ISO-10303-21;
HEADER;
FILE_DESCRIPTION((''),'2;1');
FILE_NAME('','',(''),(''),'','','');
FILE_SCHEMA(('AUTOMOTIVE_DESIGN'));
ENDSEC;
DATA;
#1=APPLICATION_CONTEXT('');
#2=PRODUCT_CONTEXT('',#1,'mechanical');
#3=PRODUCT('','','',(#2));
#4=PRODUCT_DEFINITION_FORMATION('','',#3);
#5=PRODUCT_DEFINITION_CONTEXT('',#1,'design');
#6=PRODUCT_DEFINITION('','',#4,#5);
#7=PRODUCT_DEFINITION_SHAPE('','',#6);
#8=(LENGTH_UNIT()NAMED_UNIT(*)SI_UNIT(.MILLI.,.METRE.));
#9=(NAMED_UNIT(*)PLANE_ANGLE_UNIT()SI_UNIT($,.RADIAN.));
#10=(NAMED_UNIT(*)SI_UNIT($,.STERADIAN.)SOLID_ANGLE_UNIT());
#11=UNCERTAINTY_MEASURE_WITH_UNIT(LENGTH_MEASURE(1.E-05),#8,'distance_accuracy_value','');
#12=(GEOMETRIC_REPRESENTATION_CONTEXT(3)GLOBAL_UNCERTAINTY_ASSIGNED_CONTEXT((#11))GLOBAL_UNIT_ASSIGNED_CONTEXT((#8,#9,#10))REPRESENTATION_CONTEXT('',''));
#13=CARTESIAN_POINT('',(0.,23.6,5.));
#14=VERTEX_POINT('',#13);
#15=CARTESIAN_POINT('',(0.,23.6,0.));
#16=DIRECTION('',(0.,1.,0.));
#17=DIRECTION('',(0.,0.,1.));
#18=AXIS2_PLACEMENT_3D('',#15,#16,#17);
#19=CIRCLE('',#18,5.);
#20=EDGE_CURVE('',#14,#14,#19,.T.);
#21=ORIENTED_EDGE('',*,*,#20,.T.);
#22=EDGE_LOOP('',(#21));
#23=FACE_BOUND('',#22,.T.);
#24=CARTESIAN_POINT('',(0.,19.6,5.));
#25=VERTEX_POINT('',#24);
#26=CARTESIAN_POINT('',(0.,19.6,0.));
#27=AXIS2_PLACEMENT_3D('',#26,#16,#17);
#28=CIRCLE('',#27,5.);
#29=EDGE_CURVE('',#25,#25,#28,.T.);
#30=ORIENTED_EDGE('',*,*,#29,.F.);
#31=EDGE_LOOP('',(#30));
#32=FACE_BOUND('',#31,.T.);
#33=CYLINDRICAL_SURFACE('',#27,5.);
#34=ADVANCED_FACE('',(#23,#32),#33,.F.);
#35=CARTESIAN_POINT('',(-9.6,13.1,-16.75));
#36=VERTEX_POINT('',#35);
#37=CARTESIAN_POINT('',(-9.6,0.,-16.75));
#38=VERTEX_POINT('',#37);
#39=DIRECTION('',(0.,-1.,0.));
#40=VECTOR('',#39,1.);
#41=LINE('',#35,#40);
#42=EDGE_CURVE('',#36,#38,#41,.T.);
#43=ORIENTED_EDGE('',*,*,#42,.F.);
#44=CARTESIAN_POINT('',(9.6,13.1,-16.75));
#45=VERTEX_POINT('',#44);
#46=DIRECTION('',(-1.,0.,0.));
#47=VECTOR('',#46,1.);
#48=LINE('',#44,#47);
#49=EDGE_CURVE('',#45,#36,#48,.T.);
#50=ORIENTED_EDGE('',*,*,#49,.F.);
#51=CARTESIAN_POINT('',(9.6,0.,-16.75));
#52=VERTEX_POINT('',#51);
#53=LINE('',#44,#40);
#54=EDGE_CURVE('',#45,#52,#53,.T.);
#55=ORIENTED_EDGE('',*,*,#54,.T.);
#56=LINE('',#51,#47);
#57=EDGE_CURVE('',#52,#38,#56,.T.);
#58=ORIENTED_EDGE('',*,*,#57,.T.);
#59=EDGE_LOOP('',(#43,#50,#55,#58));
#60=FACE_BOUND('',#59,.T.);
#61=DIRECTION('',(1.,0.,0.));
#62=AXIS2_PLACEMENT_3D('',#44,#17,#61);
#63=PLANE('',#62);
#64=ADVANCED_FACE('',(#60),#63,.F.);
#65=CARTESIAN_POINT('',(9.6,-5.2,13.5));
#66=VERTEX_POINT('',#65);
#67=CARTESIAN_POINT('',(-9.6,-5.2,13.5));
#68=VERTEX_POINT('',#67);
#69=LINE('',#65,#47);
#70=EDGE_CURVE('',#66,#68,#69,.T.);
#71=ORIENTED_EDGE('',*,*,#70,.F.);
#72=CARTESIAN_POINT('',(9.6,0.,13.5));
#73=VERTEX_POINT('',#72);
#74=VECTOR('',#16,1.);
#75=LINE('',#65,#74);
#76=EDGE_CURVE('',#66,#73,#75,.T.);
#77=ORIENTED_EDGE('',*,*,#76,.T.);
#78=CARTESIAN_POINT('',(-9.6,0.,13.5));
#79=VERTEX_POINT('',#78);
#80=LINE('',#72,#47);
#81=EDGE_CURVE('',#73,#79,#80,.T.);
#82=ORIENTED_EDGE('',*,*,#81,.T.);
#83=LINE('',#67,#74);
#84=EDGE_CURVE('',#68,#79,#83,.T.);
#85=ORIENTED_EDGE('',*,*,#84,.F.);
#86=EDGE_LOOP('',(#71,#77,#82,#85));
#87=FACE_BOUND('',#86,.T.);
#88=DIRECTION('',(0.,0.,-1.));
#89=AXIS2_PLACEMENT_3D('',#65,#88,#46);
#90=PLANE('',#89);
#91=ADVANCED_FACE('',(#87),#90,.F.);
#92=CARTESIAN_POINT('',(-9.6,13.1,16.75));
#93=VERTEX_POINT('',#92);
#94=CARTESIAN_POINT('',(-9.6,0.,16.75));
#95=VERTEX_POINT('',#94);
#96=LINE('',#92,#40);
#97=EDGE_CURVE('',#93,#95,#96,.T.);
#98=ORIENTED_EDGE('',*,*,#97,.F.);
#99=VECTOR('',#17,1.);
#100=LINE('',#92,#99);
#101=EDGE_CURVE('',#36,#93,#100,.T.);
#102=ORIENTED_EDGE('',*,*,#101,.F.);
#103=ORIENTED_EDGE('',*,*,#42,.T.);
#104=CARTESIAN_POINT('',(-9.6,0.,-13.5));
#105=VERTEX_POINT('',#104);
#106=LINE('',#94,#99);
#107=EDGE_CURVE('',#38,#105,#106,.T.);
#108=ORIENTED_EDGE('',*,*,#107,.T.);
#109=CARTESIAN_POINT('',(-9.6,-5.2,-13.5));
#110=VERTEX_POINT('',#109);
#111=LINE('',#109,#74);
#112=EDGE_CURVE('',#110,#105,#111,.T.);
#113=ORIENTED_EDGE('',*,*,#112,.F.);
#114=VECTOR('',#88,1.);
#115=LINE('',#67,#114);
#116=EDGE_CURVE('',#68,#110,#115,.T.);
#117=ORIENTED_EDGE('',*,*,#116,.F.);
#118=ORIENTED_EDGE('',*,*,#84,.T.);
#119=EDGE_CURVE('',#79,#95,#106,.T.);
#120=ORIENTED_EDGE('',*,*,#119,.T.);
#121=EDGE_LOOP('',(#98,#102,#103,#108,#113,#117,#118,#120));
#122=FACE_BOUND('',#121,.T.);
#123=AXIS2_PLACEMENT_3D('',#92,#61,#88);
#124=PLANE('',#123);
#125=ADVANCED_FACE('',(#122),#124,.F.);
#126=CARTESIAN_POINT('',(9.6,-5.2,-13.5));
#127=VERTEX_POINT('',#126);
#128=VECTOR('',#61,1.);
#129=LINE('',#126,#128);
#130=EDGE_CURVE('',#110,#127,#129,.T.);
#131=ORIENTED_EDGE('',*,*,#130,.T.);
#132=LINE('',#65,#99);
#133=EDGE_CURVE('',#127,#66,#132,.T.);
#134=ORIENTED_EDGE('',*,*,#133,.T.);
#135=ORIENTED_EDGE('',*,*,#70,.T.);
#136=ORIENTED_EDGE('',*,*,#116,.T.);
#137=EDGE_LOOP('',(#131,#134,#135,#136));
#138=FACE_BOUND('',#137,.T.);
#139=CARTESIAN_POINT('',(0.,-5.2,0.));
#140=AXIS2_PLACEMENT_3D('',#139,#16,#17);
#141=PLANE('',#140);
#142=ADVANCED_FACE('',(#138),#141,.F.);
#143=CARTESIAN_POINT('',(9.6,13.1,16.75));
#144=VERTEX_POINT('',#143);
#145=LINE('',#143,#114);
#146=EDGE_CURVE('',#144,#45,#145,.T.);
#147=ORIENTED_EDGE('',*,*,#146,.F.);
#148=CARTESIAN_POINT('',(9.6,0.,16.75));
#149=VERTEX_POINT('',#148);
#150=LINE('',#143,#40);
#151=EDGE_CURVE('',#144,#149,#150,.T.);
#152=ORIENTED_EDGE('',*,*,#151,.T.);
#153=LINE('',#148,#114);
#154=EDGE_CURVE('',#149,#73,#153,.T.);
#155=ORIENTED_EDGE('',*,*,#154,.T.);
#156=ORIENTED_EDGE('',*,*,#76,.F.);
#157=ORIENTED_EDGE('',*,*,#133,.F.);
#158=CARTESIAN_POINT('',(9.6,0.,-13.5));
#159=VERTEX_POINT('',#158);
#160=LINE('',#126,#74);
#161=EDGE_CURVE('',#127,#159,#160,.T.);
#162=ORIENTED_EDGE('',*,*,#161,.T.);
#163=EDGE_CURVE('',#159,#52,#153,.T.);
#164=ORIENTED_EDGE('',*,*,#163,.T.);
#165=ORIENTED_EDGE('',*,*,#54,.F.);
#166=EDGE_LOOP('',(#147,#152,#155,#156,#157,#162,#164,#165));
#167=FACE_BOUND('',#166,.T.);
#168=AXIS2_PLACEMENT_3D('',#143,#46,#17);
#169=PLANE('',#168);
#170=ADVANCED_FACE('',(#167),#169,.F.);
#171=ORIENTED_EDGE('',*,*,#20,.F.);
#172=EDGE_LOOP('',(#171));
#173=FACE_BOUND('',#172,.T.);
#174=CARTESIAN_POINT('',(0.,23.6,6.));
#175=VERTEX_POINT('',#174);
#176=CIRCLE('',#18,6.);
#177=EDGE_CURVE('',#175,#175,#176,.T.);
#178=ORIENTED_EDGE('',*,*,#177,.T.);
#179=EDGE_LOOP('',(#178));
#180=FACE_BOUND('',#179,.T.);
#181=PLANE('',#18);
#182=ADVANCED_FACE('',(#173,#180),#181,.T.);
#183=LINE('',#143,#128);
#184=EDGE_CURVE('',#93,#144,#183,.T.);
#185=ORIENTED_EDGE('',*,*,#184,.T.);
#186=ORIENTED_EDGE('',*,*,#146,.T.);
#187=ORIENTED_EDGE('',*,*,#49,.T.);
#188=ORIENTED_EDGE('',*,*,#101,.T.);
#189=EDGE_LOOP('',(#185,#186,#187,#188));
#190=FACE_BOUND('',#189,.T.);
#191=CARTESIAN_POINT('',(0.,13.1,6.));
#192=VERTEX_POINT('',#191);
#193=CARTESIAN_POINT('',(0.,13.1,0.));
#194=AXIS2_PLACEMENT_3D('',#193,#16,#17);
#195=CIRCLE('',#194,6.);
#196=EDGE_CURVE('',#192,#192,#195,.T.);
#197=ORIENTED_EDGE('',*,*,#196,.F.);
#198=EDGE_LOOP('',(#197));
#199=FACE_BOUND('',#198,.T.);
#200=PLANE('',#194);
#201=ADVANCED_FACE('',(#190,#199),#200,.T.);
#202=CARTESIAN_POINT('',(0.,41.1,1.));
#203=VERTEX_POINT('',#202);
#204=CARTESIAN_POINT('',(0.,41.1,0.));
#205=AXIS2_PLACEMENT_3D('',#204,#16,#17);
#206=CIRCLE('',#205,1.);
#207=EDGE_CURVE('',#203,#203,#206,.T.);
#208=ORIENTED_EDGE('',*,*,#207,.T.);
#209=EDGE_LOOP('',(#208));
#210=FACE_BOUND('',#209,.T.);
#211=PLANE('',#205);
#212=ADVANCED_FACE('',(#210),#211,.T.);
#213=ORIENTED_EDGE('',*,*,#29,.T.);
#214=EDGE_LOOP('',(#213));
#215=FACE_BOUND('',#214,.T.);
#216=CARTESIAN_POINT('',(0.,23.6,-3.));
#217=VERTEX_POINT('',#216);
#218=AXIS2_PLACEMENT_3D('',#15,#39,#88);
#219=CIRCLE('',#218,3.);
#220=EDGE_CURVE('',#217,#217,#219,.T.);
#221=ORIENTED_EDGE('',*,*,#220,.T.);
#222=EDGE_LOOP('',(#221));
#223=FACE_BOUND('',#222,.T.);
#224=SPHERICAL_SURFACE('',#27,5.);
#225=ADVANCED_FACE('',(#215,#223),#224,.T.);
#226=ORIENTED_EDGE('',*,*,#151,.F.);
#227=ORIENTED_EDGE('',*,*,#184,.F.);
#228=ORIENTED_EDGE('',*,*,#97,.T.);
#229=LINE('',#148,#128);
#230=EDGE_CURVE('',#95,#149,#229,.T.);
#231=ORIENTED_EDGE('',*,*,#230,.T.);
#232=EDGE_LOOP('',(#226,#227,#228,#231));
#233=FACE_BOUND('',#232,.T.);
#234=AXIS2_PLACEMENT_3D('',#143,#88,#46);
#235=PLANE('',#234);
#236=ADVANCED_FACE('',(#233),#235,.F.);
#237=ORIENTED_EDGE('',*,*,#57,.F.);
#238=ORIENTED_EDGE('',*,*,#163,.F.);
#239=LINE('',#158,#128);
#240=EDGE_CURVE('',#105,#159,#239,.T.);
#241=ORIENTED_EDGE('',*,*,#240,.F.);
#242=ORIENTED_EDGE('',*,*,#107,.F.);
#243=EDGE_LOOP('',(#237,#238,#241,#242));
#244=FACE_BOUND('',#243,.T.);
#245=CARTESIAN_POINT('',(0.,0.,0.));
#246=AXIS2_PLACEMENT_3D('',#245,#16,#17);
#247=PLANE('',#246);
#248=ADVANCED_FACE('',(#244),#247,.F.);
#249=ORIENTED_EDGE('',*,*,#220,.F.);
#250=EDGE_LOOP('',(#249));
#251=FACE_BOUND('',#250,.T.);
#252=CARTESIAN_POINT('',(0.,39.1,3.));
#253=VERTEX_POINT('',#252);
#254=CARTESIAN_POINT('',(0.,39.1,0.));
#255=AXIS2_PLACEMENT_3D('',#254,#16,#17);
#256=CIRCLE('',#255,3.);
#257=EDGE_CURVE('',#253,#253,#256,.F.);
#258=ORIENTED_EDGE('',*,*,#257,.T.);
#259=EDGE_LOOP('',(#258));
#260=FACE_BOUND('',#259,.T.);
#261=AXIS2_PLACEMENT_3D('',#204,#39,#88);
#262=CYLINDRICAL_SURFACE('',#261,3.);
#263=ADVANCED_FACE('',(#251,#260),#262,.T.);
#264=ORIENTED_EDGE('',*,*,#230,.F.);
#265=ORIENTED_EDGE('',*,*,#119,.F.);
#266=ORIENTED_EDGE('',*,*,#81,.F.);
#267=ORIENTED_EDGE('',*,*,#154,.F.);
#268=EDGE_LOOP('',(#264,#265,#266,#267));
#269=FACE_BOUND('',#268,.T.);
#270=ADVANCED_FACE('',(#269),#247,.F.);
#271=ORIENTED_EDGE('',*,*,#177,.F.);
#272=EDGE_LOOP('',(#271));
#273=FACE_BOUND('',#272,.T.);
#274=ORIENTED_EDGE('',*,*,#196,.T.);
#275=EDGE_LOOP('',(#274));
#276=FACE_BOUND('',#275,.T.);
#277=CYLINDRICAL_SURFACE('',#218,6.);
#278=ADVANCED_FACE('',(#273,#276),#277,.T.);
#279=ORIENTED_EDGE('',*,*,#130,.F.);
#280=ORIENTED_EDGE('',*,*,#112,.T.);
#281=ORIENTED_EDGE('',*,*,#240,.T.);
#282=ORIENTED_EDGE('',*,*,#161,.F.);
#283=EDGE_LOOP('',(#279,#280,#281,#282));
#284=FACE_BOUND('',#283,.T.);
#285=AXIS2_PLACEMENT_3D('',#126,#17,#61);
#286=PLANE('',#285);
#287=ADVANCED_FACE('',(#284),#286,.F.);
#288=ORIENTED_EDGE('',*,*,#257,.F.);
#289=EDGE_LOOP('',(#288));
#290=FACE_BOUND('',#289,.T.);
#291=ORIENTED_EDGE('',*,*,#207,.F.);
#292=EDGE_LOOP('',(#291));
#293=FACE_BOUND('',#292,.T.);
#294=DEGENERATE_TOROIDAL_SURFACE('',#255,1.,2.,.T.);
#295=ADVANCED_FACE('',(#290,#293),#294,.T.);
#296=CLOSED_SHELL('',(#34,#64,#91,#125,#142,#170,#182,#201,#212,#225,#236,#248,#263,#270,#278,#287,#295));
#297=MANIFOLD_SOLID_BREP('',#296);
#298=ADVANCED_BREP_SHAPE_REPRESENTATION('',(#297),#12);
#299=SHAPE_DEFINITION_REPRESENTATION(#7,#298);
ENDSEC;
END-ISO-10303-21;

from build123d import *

# Parameters (mm, degrees)
SKETCH1_W           = 19.2
SKETCH1_H           = 33.5
BOSS_EXTRUDE1_DEPTH = 13.1
SKETCH2_R           = 6
BOSS_EXTRUDE2_DEPTH = 10.5
SKETCH4_R           = 5
CUT_EXTRUDE1_DEPTH  = 4
SKETCH5_R           = 3
BOSS_EXTRUDE3_DEPTH = 21.5
REVOLVE2_ANGLE      = 180
FILLET1_R           = 2
SKETCH6_W           = 19.2
SKETCH6_H           = 27
BOSS_EXTRUDE4_DEPTH = 5.2


with BuildPart() as part:
    # Sketch1 → Boss-Extrude1 (new body)
    with BuildSketch(Plane(origin=(0, 0, 0), x_dir=(1, 0, 0), z_dir=(0, 1, 0))):
        Rectangle(SKETCH1_W, SKETCH1_H)
    extrude(amount=BOSS_EXTRUDE1_DEPTH)

    # Sketch2 → Boss-Extrude2 (add)
    with BuildSketch(Plane(origin=(0, 13.1, 0), x_dir=(1, 0, 0), z_dir=(0, 1, 0))):
        with Locations(Location((0, 0, 0), (0, 0, 270))):  # turned: the seam where the file's is
            Circle(SKETCH2_R)
    extrude(amount=BOSS_EXTRUDE2_DEPTH)

    # Sketch4 → Cut-Extrude1 (cut)
    with BuildSketch(Plane(origin=(0, 23.6, 0), x_dir=(1, 0, 0), z_dir=(0, 1, 0))):
        with Locations(Location((0, 0, 0), (0, 0, 270))):  # turned: the seam where the file's is
            Circle(SKETCH4_R)
    extrude(amount=-CUT_EXTRUDE1_DEPTH, mode=Mode.SUBTRACT)

    # Sketch5 → Boss-Extrude3 (add)
    with BuildSketch(Plane(origin=(0, 19.6, 0), x_dir=(1, 0, 0), z_dir=(0, 1, 0))):
        with Locations(Location((0, 0, 0), (0, 0, 270))):  # turned: the seam where the file's is
            Circle(SKETCH5_R)
    extrude(amount=BOSS_EXTRUDE3_DEPTH)

    # Sketch3 → Revolve2 (revolve)
    with BuildSketch(Plane(origin=(0, 19.6, 0), x_dir=(1, 0, 0), z_dir=(0, 1, 0))):
        with BuildLine():
            Line((0, -5), (0, 5))
            ThreePointArc((0, 5), (-5, 0), (0, -5))
        make_face()
    revolve(axis=Axis((0, 19.6, 6), (0, 0, -1)), revolution_arc=REVOLVE2_ANGLE)

    # Fillet1
    fillet1_edges = [part.edges().sort_by_distance(p)[0] for p in [
        (0, 41.1, -3),
    ]]
    fillet(fillet1_edges, radius=FILLET1_R)

    # Sketch6 → Boss-Extrude4 (add)
    with BuildSketch(Plane.XZ):
        Rectangle(SKETCH6_W, SKETCH6_H)
    extrude(amount=BOSS_EXTRUDE4_DEPTH)


solid = part.part
